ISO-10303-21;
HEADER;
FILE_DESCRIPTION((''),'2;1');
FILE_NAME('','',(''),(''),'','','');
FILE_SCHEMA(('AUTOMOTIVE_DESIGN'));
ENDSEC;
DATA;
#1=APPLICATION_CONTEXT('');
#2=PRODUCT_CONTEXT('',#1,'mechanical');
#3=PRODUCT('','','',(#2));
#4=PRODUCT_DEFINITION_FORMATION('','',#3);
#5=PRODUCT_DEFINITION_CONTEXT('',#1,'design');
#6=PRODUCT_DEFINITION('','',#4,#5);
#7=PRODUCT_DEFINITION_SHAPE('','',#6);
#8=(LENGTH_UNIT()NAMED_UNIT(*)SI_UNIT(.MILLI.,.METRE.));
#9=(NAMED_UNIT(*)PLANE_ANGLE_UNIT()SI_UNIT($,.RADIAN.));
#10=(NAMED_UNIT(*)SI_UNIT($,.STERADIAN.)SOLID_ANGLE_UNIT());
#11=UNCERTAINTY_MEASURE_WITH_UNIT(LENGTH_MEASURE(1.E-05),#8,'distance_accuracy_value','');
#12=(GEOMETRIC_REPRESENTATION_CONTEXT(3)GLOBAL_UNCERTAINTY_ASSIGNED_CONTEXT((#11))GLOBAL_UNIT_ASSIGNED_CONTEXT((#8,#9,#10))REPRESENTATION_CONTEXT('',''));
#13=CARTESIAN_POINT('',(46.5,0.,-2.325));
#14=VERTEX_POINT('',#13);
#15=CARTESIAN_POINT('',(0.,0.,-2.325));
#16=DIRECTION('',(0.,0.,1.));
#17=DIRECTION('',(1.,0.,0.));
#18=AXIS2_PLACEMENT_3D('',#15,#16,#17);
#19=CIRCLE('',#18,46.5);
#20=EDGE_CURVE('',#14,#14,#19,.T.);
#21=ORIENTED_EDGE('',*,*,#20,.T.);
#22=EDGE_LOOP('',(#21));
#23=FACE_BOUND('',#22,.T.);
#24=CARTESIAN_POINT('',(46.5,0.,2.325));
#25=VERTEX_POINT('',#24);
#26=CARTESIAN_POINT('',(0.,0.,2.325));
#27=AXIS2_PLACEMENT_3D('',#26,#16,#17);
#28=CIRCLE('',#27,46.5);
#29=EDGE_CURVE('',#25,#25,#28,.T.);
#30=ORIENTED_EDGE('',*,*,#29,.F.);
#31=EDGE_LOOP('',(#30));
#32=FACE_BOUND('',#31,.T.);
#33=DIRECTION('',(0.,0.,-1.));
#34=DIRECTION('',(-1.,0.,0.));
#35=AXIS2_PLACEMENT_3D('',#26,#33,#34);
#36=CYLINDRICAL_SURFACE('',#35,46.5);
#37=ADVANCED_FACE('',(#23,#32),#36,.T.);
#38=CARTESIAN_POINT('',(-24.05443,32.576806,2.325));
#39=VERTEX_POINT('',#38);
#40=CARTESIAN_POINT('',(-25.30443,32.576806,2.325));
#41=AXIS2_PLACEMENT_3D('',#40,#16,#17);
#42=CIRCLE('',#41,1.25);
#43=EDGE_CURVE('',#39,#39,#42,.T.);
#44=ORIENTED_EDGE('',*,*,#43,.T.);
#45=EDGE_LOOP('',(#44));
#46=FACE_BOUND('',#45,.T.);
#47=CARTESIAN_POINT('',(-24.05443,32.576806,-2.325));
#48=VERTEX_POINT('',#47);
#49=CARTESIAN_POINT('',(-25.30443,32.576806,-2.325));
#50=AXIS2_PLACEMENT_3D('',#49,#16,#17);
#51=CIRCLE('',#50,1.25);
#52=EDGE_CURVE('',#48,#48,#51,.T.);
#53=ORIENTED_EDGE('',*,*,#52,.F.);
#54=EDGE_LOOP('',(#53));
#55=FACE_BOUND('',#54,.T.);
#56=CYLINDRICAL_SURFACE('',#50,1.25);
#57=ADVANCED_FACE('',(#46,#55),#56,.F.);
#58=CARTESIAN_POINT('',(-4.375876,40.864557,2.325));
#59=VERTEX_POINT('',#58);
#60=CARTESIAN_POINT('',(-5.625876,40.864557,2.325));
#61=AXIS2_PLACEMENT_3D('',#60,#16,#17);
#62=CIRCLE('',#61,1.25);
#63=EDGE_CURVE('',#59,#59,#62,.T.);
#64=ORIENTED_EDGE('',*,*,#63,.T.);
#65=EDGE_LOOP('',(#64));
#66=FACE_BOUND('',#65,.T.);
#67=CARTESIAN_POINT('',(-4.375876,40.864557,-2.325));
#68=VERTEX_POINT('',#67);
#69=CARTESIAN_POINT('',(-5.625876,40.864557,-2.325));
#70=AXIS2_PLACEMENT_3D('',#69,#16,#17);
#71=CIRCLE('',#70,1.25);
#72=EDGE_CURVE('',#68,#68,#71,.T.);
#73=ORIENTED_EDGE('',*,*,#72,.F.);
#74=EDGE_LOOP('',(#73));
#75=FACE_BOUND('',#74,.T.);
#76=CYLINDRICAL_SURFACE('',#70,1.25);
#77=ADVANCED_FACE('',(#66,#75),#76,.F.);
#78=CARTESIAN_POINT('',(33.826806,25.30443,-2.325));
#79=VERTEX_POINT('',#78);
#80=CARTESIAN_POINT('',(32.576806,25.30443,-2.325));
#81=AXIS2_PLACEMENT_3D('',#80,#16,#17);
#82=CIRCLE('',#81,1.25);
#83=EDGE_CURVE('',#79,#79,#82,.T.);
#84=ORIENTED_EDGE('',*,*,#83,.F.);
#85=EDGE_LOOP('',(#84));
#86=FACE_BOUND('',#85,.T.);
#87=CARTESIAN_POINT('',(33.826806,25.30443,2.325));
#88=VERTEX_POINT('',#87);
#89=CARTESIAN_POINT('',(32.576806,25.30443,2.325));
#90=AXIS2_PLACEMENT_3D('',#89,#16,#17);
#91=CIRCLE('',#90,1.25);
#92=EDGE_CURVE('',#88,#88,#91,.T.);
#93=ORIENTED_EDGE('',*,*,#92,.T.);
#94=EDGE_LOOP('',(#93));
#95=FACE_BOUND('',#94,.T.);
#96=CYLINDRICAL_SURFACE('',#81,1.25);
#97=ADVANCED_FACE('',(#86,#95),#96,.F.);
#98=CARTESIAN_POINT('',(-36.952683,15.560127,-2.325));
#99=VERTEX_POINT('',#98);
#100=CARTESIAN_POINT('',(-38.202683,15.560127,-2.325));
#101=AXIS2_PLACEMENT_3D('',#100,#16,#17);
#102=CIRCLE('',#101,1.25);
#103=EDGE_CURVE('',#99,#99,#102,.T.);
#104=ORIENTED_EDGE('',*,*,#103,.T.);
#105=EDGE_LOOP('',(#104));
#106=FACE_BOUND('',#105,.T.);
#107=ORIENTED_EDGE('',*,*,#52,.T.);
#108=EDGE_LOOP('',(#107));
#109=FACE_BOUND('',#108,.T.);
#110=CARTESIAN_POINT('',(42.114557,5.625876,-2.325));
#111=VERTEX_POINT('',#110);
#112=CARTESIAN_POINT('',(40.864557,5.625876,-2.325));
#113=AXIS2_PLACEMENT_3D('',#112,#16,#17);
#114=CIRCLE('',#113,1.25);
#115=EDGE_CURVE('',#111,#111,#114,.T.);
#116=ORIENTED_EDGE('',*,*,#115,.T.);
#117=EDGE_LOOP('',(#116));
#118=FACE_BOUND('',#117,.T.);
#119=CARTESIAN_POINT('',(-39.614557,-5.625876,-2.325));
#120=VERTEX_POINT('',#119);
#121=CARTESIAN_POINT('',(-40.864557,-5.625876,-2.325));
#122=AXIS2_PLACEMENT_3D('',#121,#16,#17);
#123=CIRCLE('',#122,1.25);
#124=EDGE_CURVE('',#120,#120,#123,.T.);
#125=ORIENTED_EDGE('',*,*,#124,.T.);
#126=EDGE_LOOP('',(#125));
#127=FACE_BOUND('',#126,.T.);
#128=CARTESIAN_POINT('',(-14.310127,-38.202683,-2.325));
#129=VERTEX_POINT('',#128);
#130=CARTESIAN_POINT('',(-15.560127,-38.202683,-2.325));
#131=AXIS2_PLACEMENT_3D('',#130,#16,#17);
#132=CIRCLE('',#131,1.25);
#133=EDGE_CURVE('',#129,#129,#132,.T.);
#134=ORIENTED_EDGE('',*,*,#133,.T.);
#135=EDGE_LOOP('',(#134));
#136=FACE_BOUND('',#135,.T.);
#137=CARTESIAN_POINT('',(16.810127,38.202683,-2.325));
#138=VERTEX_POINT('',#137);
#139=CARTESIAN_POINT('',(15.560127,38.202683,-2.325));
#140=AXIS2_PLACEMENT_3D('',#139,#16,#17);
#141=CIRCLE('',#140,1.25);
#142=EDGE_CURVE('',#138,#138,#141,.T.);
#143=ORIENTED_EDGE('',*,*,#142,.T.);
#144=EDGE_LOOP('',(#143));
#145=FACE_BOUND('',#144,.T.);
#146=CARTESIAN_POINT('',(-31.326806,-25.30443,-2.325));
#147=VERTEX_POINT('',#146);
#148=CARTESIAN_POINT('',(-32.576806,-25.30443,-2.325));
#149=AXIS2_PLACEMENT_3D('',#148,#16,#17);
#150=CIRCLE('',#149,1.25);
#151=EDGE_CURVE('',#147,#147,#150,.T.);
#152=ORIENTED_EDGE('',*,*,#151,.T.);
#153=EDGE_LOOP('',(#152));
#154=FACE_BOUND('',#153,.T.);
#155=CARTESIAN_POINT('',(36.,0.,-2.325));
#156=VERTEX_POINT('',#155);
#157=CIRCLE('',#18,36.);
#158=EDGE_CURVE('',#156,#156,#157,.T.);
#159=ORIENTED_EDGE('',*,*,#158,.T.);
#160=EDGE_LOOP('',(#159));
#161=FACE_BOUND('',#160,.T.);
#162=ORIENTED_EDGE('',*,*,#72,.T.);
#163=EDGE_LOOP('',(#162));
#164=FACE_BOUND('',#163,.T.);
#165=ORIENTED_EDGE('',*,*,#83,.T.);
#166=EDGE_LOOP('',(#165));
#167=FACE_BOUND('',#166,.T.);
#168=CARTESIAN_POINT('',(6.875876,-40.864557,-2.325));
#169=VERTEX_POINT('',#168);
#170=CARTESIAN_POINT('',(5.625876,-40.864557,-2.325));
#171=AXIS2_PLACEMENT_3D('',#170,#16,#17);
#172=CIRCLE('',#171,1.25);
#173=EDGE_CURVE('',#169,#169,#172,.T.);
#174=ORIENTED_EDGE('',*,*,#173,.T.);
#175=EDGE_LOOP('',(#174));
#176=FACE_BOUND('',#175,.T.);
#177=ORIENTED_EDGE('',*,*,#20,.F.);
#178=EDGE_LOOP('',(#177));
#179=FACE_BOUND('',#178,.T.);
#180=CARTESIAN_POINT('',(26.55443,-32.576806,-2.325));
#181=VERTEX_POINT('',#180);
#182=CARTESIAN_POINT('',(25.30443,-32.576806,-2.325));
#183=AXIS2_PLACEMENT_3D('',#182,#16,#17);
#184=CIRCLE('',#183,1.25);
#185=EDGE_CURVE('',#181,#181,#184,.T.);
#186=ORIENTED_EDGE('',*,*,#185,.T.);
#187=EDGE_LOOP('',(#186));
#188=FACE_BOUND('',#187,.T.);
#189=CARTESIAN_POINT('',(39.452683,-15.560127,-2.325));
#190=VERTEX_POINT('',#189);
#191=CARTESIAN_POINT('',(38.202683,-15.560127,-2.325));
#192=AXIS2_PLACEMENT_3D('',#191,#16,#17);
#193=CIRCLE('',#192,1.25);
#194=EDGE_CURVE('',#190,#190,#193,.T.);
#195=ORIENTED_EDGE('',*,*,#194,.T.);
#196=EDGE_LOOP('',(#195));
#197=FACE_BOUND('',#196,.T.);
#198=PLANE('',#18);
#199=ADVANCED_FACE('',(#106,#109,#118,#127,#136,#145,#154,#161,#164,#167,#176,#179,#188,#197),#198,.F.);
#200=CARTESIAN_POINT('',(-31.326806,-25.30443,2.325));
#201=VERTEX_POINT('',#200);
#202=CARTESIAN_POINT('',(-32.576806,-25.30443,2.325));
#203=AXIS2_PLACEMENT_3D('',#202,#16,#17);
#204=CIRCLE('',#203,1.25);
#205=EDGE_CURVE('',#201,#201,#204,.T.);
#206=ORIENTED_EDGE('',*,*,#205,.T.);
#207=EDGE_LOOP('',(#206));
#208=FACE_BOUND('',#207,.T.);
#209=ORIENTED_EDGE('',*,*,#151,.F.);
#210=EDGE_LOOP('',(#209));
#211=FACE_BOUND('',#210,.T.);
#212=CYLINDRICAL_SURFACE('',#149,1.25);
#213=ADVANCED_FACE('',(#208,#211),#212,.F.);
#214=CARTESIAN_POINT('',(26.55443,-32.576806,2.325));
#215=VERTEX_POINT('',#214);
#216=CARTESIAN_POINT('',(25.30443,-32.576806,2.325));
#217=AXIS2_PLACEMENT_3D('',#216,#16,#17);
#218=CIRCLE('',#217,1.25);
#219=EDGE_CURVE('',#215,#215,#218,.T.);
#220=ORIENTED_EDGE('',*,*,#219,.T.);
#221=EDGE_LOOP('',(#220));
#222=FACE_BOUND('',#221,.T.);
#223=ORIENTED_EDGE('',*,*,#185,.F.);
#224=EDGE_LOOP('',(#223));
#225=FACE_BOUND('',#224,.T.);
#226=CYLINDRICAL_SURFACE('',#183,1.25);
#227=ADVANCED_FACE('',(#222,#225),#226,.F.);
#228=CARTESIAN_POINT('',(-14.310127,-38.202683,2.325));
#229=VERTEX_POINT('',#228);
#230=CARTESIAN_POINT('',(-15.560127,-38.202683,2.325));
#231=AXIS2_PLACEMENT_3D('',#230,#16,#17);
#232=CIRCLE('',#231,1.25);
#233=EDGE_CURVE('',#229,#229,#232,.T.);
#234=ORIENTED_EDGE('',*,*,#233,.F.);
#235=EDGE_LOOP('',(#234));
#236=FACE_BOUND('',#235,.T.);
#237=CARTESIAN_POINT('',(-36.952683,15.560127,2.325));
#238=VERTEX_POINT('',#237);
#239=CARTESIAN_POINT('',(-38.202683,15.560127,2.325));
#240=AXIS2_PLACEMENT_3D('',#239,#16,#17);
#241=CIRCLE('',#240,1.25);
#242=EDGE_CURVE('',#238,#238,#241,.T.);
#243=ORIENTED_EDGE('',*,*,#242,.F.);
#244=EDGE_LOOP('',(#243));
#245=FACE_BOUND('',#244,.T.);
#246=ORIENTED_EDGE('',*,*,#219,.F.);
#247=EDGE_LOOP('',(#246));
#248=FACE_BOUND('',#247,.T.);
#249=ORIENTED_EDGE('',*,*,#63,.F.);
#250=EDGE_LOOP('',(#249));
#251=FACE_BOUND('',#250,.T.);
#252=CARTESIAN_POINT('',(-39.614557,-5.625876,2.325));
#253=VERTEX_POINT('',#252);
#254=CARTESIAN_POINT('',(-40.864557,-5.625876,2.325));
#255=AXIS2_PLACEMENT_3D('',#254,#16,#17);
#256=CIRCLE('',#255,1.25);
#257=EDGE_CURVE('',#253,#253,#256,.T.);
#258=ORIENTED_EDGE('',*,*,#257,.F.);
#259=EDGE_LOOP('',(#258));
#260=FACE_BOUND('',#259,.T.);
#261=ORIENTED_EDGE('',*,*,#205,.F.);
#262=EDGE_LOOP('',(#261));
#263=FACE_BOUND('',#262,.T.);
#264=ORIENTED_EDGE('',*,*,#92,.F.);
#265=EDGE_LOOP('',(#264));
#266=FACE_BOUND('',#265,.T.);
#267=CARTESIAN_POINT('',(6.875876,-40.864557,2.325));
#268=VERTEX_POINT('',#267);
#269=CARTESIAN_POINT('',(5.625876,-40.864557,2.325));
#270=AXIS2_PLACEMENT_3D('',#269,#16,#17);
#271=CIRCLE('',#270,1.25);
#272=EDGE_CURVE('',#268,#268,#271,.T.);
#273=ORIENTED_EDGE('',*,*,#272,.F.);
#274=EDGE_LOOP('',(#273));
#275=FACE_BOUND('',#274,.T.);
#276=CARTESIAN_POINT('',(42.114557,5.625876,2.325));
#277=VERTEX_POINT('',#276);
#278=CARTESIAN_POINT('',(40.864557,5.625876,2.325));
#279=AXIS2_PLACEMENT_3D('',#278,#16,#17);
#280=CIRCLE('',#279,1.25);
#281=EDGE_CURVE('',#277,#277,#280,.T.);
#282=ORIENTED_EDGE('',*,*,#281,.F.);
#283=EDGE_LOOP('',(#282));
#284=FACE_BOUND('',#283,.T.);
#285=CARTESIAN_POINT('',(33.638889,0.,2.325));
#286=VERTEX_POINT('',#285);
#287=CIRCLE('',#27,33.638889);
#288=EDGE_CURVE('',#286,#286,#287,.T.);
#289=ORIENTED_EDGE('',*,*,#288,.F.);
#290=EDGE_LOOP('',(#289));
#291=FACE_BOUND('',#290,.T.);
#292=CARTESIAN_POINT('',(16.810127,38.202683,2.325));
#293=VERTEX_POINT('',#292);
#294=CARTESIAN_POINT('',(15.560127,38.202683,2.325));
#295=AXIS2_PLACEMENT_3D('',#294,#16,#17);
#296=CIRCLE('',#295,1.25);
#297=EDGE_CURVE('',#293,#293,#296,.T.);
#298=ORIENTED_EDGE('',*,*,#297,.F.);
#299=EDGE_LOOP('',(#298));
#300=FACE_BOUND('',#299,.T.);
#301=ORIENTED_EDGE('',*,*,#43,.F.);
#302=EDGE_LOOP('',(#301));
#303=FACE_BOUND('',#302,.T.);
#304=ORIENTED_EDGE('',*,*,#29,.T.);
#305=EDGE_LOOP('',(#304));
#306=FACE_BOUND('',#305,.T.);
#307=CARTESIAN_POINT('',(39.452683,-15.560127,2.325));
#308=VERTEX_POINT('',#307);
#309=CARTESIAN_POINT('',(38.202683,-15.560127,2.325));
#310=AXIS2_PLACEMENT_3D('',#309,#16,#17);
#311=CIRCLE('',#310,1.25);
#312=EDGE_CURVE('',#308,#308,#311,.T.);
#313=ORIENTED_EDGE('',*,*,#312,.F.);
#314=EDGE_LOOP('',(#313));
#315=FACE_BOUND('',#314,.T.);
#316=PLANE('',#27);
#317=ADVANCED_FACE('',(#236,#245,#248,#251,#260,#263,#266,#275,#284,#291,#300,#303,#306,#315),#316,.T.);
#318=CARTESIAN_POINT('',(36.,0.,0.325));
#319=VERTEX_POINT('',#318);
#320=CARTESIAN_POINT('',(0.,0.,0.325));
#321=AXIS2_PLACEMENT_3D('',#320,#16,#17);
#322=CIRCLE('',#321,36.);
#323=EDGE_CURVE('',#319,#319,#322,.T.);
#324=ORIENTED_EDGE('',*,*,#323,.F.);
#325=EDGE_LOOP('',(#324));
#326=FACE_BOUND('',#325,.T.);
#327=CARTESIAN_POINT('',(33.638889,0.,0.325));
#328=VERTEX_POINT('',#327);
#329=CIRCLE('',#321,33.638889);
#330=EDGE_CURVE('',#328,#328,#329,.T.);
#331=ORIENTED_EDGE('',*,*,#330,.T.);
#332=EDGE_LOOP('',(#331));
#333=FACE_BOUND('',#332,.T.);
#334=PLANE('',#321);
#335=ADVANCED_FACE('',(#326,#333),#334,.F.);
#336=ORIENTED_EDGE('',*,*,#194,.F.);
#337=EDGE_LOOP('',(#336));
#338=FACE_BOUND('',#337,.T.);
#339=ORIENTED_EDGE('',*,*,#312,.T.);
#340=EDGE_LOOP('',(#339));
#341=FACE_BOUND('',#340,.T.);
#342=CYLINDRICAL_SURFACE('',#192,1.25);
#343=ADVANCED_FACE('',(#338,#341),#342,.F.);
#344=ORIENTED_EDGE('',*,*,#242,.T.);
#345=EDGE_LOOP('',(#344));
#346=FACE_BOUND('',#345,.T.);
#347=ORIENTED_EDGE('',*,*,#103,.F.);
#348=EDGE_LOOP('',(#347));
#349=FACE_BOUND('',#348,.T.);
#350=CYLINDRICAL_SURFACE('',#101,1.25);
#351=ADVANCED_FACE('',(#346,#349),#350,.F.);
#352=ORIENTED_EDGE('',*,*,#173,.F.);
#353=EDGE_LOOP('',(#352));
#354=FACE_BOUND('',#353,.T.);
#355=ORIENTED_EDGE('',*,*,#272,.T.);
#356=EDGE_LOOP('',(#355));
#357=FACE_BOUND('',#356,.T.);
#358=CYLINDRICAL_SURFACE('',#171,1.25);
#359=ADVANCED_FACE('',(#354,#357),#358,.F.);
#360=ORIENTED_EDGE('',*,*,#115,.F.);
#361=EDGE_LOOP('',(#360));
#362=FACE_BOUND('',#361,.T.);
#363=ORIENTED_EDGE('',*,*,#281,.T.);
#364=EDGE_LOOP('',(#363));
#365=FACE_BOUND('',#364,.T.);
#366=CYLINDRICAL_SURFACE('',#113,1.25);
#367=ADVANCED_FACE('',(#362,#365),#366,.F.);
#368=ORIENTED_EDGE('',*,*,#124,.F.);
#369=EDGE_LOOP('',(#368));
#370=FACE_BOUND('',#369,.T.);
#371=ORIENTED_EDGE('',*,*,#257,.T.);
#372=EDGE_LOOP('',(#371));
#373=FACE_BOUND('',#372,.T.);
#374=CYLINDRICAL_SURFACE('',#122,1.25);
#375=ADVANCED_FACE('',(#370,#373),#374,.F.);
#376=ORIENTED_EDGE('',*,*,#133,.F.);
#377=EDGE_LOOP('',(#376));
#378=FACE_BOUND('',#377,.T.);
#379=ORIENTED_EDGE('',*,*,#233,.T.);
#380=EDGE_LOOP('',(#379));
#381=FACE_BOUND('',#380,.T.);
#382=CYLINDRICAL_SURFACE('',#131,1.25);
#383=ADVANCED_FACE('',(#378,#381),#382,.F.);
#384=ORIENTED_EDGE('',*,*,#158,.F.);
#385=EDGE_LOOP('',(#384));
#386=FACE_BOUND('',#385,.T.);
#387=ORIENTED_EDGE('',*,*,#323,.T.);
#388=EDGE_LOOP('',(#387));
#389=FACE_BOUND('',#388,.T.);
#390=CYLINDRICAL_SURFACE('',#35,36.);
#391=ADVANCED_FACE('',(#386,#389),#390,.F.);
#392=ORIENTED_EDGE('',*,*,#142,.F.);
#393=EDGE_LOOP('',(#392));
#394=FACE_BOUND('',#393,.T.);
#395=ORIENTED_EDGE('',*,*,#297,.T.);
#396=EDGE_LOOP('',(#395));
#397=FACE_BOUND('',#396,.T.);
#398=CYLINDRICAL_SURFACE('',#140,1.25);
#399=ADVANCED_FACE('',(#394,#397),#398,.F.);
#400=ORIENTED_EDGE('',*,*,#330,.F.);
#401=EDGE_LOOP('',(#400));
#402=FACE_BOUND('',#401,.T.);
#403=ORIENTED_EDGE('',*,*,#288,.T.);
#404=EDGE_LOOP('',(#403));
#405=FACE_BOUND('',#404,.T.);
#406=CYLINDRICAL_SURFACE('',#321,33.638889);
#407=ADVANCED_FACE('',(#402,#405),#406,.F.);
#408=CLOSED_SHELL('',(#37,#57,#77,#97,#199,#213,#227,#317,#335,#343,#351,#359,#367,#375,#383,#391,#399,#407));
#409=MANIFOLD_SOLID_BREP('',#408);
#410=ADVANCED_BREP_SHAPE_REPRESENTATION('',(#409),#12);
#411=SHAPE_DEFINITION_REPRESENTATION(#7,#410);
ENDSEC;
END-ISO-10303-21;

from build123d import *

# Parameters (mm, degrees)
SKETCH1_R               = 46.5
SKETCH1_R_2             = 36
BOSS_EXTRUDE1_DEPTH     = 2.325
BOSS_EXTRUDE2_START     = -2
SKETCH2_R               = 36
SKETCH2_R_2             = 33.63888889
BOSS_EXTRUDE2_DEPTH     = 2
CUT_EXTRUDE1_DEPTH      = 66.925127986
CUT_EXTRUDE1_DEPTH_BACK = 66.925127986
SKETCH3_R               = 1.25


with BuildPart() as part:
    # Sketch1 → Boss-Extrude1 (new, symmetric)
    with BuildSketch(Plane.XY):
        Circle(SKETCH1_R)
        Circle(SKETCH1_R_2, mode=Mode.SUBTRACT)
    extrude(amount=BOSS_EXTRUDE1_DEPTH, both=True)

    # Sketch2 → Boss-Extrude2 (add)
    with BuildSketch(Plane.XY.offset(2.325).offset(BOSS_EXTRUDE2_START)):
        Circle(SKETCH2_R)
        Circle(SKETCH2_R_2, mode=Mode.SUBTRACT)
    extrude(amount=BOSS_EXTRUDE2_DEPTH)

    # Sketch3 → Cut-Extrude1 (cut, two sides: drawn at the far end of the back side and taken through both)
    with BuildSketch(Plane.XY.offset(2.325).offset(-CUT_EXTRUDE1_DEPTH_BACK)):
        with Locations((-15.560126668, -38.202682603)):
            Circle(SKETCH3_R)
        with Locations((-32.576806282, -25.304430293)):
            Circle(SKETCH3_R)
        with Locations((-40.864556961, -5.625876321)):
            Circle(SKETCH3_R)
        with Locations((-38.202682603, 15.560126668)):
            Circle(SKETCH3_R)
        with Locations((-25.304430293, 32.576806282)):
            Circle(SKETCH3_R)
        with Locations((-5.625876321, 40.864556961)):
            Circle(SKETCH3_R)
        with Locations((15.560126668, 38.202682603)):
            Circle(SKETCH3_R)
        with Locations((32.576806282, 25.304430293)):
            Circle(SKETCH3_R)
        with Locations((40.864556961, 5.625876321)):
            Circle(SKETCH3_R)
        with Locations((38.202682603, -15.560126668)):
            Circle(SKETCH3_R)
        with Locations((25.304430293, -32.576806282)):
            Circle(SKETCH3_R)
        with Locations((5.625876321, -40.864556961)):
            Circle(SKETCH3_R)
    extrude(amount=CUT_EXTRUDE1_DEPTH + CUT_EXTRUDE1_DEPTH_BACK, mode=Mode.SUBTRACT)


solid = part.part
